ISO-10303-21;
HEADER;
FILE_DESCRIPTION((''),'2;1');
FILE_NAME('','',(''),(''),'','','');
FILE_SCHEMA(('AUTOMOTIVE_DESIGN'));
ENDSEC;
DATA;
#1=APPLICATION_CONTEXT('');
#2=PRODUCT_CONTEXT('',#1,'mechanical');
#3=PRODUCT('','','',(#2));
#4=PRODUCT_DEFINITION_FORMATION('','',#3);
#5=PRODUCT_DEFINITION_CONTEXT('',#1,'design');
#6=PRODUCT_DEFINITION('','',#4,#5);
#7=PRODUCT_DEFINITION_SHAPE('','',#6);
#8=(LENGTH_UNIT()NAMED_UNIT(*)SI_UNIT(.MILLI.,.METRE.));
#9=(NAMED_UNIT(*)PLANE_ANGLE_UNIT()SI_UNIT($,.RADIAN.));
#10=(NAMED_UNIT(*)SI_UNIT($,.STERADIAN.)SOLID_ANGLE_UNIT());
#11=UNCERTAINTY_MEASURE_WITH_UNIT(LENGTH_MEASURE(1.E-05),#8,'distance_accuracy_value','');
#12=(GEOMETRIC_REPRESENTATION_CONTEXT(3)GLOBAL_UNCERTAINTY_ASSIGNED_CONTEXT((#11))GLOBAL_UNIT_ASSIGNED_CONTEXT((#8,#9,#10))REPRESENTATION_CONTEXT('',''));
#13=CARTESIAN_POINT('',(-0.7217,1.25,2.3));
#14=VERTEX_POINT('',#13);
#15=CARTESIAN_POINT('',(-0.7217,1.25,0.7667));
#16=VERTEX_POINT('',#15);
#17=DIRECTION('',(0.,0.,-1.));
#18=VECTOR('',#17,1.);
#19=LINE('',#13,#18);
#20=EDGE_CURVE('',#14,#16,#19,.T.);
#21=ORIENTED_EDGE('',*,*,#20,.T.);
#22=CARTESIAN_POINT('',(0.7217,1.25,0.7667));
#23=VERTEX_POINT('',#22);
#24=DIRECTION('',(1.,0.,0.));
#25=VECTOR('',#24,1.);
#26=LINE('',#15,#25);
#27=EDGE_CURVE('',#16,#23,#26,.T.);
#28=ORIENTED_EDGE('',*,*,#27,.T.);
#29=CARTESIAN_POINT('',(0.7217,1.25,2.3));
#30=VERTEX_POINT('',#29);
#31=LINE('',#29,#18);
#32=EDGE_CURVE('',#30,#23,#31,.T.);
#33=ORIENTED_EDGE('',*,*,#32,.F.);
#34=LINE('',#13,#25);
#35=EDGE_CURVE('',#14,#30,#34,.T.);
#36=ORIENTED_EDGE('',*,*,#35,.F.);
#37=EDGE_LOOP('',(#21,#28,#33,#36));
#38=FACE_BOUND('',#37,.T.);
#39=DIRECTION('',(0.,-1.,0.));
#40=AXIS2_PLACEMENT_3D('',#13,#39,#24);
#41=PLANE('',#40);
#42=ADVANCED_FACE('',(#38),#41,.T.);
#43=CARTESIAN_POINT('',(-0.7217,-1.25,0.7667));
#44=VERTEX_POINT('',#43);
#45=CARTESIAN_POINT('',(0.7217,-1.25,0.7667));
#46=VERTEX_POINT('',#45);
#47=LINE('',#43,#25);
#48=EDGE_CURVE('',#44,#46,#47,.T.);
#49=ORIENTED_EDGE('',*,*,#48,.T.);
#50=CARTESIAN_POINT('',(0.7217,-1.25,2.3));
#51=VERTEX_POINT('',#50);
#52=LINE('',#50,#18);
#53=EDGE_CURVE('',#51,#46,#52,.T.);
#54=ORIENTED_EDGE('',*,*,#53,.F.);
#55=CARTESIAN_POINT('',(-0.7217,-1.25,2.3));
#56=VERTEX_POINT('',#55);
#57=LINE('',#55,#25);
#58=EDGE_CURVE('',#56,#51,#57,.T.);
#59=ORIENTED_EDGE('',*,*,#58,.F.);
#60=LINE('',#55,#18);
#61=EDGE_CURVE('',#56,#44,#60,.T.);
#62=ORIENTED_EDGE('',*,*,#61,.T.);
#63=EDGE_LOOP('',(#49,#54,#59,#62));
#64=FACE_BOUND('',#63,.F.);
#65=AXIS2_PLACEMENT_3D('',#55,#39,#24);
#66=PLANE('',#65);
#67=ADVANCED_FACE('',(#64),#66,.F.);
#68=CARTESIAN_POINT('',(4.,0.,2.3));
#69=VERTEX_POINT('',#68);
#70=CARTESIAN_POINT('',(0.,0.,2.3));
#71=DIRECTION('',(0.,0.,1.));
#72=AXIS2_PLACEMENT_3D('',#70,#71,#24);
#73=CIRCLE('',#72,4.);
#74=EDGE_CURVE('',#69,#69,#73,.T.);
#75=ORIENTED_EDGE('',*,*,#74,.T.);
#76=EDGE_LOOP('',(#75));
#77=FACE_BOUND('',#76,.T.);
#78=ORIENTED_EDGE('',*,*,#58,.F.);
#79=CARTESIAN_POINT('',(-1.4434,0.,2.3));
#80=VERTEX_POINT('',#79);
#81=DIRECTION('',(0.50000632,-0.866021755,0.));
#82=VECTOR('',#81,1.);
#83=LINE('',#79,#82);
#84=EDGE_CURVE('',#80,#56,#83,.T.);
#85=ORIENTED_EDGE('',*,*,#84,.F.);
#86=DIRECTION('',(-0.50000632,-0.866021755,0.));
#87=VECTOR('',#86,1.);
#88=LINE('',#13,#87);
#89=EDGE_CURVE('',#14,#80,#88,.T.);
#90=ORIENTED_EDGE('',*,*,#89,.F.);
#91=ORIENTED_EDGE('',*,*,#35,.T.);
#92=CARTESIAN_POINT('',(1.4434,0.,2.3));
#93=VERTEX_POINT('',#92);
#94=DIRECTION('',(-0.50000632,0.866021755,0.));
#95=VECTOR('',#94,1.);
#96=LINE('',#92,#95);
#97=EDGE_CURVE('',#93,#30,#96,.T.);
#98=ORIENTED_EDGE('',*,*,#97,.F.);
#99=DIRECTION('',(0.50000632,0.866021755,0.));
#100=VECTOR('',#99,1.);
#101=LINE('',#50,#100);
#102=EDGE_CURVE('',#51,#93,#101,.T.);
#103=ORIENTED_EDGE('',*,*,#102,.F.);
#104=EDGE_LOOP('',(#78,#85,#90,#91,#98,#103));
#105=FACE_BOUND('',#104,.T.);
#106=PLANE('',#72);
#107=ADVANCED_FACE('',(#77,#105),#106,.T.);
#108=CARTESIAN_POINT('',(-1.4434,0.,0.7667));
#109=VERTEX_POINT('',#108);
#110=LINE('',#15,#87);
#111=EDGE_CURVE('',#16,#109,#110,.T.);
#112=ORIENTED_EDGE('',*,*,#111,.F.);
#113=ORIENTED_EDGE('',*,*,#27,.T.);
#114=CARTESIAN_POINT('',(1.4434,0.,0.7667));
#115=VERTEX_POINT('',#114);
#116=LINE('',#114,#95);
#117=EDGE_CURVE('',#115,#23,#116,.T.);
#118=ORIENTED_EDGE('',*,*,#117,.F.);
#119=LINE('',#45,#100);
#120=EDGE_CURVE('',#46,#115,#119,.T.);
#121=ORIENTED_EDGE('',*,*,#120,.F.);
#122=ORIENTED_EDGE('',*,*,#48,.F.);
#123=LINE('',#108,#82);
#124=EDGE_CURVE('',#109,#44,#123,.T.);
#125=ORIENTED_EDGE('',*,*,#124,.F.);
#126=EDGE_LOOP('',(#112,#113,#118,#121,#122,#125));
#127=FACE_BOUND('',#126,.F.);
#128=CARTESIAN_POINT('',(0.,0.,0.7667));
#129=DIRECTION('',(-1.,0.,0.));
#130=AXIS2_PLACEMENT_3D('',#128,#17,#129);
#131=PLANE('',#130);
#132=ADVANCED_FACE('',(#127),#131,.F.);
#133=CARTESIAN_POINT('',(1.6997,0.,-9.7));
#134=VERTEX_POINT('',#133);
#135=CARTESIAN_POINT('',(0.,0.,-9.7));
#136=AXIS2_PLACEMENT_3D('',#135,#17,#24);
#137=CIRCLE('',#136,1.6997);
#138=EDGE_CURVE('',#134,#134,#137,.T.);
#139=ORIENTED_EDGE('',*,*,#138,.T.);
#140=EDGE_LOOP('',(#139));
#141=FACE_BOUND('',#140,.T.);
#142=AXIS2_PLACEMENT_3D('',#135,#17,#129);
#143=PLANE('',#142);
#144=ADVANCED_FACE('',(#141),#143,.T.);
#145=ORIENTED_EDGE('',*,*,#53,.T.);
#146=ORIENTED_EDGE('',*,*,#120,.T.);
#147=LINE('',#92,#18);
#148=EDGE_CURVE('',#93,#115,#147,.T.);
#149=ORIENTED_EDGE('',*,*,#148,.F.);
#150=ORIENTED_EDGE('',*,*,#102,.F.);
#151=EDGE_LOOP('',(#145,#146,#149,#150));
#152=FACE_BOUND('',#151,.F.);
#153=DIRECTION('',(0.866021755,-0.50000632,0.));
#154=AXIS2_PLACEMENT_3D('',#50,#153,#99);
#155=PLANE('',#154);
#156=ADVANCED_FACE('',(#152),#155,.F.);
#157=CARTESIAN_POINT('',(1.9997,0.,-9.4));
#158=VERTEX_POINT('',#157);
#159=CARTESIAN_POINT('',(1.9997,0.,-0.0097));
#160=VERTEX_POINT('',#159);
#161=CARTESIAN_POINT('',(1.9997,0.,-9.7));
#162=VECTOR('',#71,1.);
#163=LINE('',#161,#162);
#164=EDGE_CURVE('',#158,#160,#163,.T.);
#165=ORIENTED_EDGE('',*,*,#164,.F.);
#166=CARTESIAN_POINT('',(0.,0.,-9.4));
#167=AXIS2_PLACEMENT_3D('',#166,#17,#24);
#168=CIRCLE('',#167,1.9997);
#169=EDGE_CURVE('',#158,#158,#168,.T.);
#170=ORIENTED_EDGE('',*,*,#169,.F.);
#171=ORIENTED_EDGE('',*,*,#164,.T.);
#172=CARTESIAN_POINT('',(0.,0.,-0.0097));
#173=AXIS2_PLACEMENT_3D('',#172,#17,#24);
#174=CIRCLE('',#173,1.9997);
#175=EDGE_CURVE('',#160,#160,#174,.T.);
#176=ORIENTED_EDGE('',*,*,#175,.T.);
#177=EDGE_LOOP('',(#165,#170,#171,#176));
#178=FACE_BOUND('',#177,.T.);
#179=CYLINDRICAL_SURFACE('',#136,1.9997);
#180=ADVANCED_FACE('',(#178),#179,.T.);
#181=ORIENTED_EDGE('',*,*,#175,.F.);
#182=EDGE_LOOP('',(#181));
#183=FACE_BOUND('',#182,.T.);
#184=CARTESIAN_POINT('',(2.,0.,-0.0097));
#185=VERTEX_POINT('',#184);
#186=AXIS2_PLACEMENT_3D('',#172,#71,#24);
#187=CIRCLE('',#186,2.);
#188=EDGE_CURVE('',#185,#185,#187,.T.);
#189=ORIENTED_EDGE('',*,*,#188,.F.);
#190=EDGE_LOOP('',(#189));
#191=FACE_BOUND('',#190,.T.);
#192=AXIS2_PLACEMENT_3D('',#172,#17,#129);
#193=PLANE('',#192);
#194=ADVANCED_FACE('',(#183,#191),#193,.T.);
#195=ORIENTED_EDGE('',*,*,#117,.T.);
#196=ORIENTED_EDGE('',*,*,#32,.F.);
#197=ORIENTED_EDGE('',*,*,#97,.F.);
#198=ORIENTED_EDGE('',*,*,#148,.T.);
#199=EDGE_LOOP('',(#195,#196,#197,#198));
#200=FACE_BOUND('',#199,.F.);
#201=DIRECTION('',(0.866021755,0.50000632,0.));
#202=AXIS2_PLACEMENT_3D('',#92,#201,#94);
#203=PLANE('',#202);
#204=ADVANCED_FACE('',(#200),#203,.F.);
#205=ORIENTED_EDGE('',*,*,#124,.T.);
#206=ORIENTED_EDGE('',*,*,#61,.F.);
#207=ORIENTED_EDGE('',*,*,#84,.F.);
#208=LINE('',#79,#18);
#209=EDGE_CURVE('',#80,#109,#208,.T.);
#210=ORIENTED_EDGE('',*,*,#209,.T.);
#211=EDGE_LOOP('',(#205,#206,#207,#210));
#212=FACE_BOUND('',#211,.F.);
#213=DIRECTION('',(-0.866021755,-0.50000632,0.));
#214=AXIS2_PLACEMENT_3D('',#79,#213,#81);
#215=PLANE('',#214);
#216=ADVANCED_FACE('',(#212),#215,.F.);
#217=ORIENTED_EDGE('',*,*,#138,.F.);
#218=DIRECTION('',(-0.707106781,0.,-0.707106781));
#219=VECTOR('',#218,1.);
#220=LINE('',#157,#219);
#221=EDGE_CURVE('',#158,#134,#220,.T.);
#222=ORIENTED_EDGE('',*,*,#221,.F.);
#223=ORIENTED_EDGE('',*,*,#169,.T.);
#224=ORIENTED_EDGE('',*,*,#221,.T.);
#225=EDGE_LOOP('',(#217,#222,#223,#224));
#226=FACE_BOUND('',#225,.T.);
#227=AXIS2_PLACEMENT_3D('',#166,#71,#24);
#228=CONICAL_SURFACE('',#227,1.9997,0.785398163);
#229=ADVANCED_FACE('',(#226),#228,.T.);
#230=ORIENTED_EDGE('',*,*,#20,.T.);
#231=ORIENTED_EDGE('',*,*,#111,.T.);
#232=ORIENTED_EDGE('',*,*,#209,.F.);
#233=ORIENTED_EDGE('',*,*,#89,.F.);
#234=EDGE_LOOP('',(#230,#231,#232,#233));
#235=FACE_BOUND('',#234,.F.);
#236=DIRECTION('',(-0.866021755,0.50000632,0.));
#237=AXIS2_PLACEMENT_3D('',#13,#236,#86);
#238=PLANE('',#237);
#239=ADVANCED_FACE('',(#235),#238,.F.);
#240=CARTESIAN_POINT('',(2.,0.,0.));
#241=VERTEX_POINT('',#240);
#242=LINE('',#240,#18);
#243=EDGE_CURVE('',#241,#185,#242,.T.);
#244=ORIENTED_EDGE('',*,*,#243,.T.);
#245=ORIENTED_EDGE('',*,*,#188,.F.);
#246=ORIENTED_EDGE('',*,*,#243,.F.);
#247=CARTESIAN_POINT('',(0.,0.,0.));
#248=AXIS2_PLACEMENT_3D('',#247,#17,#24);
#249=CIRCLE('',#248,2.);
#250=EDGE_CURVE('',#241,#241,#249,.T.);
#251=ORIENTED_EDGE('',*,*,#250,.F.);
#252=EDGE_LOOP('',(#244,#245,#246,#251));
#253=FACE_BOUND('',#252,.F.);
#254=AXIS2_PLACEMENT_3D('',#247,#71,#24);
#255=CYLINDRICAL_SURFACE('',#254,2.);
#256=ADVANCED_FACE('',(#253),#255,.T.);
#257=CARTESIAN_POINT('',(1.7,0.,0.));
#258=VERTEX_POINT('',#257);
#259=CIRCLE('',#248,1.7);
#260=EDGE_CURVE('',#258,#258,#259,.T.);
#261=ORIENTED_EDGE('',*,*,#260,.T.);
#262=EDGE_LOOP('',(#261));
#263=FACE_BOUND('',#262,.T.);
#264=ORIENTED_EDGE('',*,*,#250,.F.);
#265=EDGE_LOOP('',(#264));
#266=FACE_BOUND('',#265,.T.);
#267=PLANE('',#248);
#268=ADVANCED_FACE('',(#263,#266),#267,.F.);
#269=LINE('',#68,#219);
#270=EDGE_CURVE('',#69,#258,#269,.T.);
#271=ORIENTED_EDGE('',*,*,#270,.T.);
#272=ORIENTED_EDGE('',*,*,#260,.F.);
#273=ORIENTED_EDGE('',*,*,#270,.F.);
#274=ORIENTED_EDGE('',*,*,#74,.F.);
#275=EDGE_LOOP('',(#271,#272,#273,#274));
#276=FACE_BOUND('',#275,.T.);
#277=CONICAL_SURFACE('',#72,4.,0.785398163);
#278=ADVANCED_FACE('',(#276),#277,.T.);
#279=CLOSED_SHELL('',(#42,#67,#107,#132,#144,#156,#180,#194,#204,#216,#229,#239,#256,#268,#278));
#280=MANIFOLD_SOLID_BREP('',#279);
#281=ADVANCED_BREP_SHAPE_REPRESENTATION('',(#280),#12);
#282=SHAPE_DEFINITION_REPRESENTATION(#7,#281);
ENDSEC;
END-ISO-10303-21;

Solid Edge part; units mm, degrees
sketch "Sketch1" plane through (0, 0, 0) normal (0, 0, 1) x (1, 0, 0)
  circle A0 centre (0, 0) radius 4
  dimension "D1" = 8
extrude "Protrusion1" add sketch "Sketch1" along normal blind 2.3
sketch "Sketch2" plane through (0, 0, 0) normal (0, 0, -1) x (1, 0, 0)
  circle A0 centre (0, 0) radius 2
extrude "Protrusion2" add sketch "Sketch2" along normal blind 9.7
sketch "Sketch3" plane through (0, 0, -9.7) normal (0, 0, -1) x (1, 0, 0)
  circle A0 centre (0, 0) radius 1.9997
extrude "Cutout1" cut sketch "Sketch3" against normal blind 9.6903 flip side to cut
chamfer "Chamfer_1" distance 0.3 angle 45 1 edges at (-1.9997, 0, -9.7)
sketch "Sketch4" plane through (0, 0, 2.3) normal (0, 0, 1) x (1, 0, 0)
  line L0 (-0.7217, 1.25) -> (0.7217, 1.25)
  line L1 (1.4434, 0) -> (0.7217, 1.25)
  line L2 (0.7217, -1.25) -> (1.4434, 0)
  line L3 (-0.7217, -1.25) -> (0.7217, -1.25)
  line L4 (-1.4434, 0) -> (-0.7217, -1.25)
  line L5 (-0.7217, 1.25) -> (-1.4434, 0)
  dimension "D1" = 2.5
extrude "Cutout2" cut sketch "Sketch4" against normal blind 1.5333
sketch "Sketch5" plane through (0, 0, 0) normal (0, -1, 0) x (1, 0, 0)
  line L0 (4, 2.3) -> (1.7, 0)
  line L1 (1.7, 0) -> (4, 0)
  line L2 (4, 0) -> (4, 2.3)
revolve "RevolvedCutout1" cut sketch "Sketch5" angle 360 about axis through (0, 0, 14.0017) along (0, 0, -1)
properties part number "185755"
